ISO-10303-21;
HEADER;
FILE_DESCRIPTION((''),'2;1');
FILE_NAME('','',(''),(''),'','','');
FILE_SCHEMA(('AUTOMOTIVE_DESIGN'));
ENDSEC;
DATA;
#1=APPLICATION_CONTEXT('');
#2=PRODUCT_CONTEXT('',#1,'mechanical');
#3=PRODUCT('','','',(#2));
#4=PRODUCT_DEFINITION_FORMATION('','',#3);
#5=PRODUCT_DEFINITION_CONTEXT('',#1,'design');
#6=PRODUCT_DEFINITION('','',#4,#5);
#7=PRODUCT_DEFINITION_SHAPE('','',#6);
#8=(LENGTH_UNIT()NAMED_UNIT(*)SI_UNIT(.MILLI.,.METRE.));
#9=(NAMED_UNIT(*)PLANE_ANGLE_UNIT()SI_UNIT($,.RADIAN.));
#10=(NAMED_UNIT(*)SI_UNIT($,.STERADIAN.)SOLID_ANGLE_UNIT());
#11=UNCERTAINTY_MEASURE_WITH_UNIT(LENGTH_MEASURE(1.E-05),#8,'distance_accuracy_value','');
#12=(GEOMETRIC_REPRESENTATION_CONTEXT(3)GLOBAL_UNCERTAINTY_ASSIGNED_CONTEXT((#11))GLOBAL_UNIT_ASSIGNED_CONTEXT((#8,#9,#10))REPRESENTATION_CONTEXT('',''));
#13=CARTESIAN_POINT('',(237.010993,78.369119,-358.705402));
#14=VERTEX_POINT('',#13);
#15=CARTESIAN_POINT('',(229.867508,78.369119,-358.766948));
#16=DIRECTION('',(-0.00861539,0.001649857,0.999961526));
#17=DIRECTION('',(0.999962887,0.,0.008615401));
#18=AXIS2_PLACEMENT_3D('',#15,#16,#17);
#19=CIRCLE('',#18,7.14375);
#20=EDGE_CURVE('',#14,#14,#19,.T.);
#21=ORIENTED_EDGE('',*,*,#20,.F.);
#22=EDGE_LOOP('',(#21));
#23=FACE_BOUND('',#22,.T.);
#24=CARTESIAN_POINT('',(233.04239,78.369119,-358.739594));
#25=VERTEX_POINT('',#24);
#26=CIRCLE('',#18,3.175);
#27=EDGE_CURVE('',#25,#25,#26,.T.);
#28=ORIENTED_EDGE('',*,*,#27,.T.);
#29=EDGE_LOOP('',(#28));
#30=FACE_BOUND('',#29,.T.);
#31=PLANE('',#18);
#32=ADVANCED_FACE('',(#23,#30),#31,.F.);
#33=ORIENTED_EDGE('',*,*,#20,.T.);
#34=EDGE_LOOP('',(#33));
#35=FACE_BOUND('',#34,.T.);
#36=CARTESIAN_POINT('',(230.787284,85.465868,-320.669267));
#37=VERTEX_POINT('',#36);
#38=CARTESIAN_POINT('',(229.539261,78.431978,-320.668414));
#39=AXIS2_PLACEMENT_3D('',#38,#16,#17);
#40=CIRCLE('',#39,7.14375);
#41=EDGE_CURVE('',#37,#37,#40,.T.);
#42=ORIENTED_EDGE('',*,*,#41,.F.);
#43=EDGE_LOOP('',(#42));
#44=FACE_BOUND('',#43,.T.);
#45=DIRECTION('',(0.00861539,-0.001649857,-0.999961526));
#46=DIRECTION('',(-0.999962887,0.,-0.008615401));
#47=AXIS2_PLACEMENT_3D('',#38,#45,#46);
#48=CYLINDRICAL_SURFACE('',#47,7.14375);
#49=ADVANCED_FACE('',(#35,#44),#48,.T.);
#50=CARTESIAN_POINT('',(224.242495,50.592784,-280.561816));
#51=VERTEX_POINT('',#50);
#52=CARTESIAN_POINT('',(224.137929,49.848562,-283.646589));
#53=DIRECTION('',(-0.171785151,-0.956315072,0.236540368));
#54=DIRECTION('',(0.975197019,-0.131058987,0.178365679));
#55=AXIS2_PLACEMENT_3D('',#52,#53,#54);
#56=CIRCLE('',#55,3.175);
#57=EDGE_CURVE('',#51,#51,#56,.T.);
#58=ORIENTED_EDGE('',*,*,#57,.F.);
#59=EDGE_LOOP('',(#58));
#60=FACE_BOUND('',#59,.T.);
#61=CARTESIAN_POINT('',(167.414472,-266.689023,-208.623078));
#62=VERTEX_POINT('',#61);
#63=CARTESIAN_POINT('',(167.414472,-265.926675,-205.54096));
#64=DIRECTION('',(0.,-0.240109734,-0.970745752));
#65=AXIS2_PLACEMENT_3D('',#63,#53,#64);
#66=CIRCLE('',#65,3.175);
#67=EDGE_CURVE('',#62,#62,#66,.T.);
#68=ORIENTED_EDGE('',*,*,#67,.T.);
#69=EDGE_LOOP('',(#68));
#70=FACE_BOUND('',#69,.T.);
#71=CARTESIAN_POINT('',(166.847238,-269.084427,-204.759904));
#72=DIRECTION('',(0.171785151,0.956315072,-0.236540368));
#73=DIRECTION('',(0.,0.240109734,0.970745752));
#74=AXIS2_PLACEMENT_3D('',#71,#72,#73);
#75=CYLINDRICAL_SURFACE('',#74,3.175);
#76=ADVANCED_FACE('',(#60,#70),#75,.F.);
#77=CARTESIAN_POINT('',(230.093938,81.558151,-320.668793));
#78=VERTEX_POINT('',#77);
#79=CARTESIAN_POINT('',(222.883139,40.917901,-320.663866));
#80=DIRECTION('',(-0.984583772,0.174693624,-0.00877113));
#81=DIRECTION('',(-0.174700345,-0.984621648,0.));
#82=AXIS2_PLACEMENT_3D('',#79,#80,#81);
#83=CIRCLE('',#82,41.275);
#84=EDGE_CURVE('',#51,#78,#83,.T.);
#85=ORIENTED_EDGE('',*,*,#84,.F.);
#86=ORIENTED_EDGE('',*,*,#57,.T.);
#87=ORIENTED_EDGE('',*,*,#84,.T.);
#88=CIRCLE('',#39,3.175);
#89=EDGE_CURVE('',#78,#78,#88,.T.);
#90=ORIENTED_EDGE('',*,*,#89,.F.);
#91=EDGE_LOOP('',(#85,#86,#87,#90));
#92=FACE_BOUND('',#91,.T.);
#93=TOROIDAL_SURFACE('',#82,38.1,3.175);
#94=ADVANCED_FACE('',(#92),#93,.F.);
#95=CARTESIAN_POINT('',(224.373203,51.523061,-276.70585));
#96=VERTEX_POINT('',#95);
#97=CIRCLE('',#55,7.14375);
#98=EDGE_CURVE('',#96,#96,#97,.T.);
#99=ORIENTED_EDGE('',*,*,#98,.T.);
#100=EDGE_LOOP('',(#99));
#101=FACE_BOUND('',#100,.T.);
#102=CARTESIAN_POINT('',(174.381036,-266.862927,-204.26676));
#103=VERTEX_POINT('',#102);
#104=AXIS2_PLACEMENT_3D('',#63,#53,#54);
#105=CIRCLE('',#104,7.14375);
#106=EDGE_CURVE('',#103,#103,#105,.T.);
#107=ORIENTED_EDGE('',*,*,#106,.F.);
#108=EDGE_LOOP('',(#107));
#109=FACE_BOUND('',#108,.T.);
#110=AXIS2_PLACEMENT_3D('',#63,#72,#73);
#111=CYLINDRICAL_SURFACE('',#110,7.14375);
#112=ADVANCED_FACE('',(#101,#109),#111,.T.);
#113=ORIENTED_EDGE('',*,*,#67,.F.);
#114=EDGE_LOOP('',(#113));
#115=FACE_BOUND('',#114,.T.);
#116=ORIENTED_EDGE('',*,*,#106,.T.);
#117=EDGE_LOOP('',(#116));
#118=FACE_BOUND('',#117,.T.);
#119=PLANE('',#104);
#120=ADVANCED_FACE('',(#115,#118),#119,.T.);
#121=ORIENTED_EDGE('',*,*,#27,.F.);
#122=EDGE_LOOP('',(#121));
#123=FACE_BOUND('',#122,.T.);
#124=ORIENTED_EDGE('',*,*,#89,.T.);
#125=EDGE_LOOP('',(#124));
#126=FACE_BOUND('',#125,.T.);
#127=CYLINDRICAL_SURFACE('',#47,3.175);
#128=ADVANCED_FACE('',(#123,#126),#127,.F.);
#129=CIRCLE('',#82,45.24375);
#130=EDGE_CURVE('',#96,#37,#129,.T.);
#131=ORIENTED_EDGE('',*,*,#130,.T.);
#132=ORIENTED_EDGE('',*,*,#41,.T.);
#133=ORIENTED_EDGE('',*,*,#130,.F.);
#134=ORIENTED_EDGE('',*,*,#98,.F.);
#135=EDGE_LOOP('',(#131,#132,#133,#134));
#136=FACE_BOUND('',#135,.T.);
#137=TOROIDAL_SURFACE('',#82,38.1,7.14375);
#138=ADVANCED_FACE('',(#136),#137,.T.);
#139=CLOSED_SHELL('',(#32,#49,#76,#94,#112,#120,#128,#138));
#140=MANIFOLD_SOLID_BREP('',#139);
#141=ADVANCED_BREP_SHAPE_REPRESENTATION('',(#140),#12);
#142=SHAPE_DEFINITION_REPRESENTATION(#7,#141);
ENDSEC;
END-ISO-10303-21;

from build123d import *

# Parameters (mm, degrees)
SWEEP1_PROFILE_R     = 7.14375
CUT_SWEEP1_PROFILE_R = 3.175


with BuildPart() as part:
    # Sweep1: sweep along a curve in space
    with BuildLine() as sweep1_path:
        Line((224.137929309, 49.848561855, -283.646589392), (167.414472369, -265.92667479, -205.540959925))
        ThreePointArc((229.539261293, 78.431978162, -320.668414257), (227.913813432, 70.452844404, -297.126886703), (224.137929309, 49.848561855, -283.646589392))
        Line((229.539261293, 78.431978162, -320.668414257), (229.867507635, 78.369118621, -358.766948389))
    # Sweep1 profile (on start of the path) → Sweep1 (sweep)
    with BuildSketch(Plane(origin=(229.867507635, 78.369118621, -358.766948389), x_dir=(0.9999628867418414, 0, 0.008615401263049256), z_dir=(-0.008615389537362954, 0.0016498567235910635, 0.9999615257778227))):
        Circle(SWEEP1_PROFILE_R)
    sweep(path=sweep1_path.line)

    # Cut-Sweep1: sweep along a curve in space
    with BuildLine() as cut_sweep1_path:
        Line((224.137929309, 49.848561855, -283.646589392), (167.414472369, -265.92667479, -205.540959925))
        ThreePointArc((229.539261293, 78.431978162, -320.668414257), (227.913813432, 70.452844404, -297.126886703), (224.137929309, 49.848561855, -283.646589392))
        Line((229.539261293, 78.431978162, -320.668414257), (229.867507635, 78.369118621, -358.766948389))
    # Cut-Sweep1 profile (on start of the path) → Cut-Sweep1 (sweep, cut)
    with BuildSketch(Plane(origin=(229.867507635, 78.369118621, -358.766948389), x_dir=(0.9999628867418414, 0, 0.008615401263049256), z_dir=(-0.008615389537362954, 0.0016498567235910635, 0.9999615257778227))):
        Circle(CUT_SWEEP1_PROFILE_R)
    sweep(path=cut_sweep1_path.line, mode=Mode.SUBTRACT)


solid = part.part
